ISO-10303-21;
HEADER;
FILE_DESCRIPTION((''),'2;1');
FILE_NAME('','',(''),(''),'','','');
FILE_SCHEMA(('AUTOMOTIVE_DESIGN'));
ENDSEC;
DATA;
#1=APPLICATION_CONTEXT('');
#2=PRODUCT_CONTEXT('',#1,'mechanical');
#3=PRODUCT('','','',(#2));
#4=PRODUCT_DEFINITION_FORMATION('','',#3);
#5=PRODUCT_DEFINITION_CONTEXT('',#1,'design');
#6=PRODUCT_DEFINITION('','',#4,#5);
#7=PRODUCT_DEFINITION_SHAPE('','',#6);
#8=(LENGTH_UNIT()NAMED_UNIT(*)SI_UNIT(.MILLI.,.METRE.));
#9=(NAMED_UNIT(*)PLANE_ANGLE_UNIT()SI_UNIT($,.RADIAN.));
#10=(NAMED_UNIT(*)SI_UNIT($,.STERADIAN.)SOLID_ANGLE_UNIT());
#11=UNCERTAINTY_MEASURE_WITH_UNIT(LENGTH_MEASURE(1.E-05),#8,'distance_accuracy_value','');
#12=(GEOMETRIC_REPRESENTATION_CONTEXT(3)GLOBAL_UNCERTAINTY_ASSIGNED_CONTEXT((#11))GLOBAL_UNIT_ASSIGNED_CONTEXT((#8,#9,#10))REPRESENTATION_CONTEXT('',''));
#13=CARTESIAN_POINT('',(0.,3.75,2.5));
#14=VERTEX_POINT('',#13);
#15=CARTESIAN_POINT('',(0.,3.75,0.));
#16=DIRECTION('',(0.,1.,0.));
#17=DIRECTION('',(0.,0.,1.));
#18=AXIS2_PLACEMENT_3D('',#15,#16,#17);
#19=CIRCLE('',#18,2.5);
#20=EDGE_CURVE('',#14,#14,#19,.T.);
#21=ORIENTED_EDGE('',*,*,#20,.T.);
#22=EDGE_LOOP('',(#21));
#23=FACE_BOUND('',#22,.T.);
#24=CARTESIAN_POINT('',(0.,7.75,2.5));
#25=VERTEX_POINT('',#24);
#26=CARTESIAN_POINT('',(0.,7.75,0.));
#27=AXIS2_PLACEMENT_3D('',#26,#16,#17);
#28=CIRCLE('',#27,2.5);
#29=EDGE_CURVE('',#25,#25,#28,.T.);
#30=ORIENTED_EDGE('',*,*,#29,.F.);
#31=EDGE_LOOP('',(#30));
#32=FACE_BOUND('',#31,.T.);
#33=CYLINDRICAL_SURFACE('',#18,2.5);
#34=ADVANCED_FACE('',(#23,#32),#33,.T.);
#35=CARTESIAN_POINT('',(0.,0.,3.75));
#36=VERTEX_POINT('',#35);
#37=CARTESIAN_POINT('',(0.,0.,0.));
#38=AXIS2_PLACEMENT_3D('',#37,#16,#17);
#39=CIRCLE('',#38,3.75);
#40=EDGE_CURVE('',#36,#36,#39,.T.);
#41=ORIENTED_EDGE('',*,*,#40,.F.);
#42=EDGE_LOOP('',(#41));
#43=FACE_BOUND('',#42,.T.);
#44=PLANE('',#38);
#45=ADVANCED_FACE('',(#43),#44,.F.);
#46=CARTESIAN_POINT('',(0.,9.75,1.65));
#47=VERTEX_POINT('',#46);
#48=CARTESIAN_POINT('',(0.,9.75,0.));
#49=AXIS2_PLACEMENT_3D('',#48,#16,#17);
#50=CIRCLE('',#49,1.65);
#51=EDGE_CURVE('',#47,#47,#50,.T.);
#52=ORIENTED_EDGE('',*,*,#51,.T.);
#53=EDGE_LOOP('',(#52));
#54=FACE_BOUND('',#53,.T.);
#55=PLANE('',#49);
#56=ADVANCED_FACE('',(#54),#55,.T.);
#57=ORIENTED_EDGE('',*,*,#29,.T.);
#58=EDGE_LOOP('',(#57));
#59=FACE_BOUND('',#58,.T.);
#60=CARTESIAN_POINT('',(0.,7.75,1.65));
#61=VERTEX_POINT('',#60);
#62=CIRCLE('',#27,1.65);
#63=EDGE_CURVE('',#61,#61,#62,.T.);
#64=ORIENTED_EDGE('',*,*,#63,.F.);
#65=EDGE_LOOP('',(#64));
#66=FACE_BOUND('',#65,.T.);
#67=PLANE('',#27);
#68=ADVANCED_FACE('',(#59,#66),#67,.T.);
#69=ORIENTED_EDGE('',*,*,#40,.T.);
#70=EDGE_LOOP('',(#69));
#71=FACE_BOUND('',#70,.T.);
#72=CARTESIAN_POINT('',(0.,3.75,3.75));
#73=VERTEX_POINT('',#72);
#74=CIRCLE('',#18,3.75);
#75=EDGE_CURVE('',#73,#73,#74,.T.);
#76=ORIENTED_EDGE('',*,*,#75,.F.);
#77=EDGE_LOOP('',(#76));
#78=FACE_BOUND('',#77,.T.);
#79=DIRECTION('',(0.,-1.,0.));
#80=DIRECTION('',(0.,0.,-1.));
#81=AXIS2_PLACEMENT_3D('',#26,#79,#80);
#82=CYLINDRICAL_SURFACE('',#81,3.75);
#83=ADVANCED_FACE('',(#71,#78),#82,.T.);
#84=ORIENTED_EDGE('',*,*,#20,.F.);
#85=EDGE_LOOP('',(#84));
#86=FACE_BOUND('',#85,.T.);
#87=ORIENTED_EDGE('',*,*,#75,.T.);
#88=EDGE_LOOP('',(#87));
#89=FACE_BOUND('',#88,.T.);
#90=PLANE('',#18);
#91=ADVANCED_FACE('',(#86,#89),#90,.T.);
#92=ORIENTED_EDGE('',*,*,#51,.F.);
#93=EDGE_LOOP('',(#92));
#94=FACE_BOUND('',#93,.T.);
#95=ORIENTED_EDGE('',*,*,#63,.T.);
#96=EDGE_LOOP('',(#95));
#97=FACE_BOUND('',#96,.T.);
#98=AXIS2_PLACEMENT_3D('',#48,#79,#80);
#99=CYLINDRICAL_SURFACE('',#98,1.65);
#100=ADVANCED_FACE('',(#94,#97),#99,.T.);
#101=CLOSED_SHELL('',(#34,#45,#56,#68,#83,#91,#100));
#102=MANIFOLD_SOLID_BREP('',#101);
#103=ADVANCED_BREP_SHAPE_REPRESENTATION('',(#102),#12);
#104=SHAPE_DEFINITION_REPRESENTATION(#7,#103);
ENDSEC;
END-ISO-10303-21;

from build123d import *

# Parameters (mm, degrees)
SKETCH1_R           = 3.75
BOSS_EXTRUDE1_DEPTH = 7.75
SKETCH2_R           = 3.75
SKETCH2_R_2         = 2.5
CUT_EXTRUDE1_DEPTH  = 4
SKETCH3_R           = 1.65
BOSS_EXTRUDE2_DEPTH = 2


with BuildPart() as part:
    # Sketch1 → Boss-Extrude1 (new body)
    with BuildSketch(Plane(origin=(0, 0, 0), x_dir=(1, 0, 0), z_dir=(0, 1, 0))):
        Circle(SKETCH1_R)
    extrude(amount=BOSS_EXTRUDE1_DEPTH)

    # Sketch2 → Cut-Extrude1 (cut)
    with BuildSketch(Plane(origin=(0, 7.75, 0), x_dir=(1, 0, 0), z_dir=(0, 1, 0))):
        Circle(SKETCH2_R)
        Circle(SKETCH2_R_2, mode=Mode.SUBTRACT)
    extrude(amount=-CUT_EXTRUDE1_DEPTH, mode=Mode.SUBTRACT)

    # Sketch3 → Boss-Extrude2 (add)
    with BuildSketch(Plane(origin=(0, 7.75, 0), x_dir=(1, 0, 0), z_dir=(0, 1, 0))):
        Circle(SKETCH3_R)
    extrude(amount=BOSS_EXTRUDE2_DEPTH)


solid = part.part
